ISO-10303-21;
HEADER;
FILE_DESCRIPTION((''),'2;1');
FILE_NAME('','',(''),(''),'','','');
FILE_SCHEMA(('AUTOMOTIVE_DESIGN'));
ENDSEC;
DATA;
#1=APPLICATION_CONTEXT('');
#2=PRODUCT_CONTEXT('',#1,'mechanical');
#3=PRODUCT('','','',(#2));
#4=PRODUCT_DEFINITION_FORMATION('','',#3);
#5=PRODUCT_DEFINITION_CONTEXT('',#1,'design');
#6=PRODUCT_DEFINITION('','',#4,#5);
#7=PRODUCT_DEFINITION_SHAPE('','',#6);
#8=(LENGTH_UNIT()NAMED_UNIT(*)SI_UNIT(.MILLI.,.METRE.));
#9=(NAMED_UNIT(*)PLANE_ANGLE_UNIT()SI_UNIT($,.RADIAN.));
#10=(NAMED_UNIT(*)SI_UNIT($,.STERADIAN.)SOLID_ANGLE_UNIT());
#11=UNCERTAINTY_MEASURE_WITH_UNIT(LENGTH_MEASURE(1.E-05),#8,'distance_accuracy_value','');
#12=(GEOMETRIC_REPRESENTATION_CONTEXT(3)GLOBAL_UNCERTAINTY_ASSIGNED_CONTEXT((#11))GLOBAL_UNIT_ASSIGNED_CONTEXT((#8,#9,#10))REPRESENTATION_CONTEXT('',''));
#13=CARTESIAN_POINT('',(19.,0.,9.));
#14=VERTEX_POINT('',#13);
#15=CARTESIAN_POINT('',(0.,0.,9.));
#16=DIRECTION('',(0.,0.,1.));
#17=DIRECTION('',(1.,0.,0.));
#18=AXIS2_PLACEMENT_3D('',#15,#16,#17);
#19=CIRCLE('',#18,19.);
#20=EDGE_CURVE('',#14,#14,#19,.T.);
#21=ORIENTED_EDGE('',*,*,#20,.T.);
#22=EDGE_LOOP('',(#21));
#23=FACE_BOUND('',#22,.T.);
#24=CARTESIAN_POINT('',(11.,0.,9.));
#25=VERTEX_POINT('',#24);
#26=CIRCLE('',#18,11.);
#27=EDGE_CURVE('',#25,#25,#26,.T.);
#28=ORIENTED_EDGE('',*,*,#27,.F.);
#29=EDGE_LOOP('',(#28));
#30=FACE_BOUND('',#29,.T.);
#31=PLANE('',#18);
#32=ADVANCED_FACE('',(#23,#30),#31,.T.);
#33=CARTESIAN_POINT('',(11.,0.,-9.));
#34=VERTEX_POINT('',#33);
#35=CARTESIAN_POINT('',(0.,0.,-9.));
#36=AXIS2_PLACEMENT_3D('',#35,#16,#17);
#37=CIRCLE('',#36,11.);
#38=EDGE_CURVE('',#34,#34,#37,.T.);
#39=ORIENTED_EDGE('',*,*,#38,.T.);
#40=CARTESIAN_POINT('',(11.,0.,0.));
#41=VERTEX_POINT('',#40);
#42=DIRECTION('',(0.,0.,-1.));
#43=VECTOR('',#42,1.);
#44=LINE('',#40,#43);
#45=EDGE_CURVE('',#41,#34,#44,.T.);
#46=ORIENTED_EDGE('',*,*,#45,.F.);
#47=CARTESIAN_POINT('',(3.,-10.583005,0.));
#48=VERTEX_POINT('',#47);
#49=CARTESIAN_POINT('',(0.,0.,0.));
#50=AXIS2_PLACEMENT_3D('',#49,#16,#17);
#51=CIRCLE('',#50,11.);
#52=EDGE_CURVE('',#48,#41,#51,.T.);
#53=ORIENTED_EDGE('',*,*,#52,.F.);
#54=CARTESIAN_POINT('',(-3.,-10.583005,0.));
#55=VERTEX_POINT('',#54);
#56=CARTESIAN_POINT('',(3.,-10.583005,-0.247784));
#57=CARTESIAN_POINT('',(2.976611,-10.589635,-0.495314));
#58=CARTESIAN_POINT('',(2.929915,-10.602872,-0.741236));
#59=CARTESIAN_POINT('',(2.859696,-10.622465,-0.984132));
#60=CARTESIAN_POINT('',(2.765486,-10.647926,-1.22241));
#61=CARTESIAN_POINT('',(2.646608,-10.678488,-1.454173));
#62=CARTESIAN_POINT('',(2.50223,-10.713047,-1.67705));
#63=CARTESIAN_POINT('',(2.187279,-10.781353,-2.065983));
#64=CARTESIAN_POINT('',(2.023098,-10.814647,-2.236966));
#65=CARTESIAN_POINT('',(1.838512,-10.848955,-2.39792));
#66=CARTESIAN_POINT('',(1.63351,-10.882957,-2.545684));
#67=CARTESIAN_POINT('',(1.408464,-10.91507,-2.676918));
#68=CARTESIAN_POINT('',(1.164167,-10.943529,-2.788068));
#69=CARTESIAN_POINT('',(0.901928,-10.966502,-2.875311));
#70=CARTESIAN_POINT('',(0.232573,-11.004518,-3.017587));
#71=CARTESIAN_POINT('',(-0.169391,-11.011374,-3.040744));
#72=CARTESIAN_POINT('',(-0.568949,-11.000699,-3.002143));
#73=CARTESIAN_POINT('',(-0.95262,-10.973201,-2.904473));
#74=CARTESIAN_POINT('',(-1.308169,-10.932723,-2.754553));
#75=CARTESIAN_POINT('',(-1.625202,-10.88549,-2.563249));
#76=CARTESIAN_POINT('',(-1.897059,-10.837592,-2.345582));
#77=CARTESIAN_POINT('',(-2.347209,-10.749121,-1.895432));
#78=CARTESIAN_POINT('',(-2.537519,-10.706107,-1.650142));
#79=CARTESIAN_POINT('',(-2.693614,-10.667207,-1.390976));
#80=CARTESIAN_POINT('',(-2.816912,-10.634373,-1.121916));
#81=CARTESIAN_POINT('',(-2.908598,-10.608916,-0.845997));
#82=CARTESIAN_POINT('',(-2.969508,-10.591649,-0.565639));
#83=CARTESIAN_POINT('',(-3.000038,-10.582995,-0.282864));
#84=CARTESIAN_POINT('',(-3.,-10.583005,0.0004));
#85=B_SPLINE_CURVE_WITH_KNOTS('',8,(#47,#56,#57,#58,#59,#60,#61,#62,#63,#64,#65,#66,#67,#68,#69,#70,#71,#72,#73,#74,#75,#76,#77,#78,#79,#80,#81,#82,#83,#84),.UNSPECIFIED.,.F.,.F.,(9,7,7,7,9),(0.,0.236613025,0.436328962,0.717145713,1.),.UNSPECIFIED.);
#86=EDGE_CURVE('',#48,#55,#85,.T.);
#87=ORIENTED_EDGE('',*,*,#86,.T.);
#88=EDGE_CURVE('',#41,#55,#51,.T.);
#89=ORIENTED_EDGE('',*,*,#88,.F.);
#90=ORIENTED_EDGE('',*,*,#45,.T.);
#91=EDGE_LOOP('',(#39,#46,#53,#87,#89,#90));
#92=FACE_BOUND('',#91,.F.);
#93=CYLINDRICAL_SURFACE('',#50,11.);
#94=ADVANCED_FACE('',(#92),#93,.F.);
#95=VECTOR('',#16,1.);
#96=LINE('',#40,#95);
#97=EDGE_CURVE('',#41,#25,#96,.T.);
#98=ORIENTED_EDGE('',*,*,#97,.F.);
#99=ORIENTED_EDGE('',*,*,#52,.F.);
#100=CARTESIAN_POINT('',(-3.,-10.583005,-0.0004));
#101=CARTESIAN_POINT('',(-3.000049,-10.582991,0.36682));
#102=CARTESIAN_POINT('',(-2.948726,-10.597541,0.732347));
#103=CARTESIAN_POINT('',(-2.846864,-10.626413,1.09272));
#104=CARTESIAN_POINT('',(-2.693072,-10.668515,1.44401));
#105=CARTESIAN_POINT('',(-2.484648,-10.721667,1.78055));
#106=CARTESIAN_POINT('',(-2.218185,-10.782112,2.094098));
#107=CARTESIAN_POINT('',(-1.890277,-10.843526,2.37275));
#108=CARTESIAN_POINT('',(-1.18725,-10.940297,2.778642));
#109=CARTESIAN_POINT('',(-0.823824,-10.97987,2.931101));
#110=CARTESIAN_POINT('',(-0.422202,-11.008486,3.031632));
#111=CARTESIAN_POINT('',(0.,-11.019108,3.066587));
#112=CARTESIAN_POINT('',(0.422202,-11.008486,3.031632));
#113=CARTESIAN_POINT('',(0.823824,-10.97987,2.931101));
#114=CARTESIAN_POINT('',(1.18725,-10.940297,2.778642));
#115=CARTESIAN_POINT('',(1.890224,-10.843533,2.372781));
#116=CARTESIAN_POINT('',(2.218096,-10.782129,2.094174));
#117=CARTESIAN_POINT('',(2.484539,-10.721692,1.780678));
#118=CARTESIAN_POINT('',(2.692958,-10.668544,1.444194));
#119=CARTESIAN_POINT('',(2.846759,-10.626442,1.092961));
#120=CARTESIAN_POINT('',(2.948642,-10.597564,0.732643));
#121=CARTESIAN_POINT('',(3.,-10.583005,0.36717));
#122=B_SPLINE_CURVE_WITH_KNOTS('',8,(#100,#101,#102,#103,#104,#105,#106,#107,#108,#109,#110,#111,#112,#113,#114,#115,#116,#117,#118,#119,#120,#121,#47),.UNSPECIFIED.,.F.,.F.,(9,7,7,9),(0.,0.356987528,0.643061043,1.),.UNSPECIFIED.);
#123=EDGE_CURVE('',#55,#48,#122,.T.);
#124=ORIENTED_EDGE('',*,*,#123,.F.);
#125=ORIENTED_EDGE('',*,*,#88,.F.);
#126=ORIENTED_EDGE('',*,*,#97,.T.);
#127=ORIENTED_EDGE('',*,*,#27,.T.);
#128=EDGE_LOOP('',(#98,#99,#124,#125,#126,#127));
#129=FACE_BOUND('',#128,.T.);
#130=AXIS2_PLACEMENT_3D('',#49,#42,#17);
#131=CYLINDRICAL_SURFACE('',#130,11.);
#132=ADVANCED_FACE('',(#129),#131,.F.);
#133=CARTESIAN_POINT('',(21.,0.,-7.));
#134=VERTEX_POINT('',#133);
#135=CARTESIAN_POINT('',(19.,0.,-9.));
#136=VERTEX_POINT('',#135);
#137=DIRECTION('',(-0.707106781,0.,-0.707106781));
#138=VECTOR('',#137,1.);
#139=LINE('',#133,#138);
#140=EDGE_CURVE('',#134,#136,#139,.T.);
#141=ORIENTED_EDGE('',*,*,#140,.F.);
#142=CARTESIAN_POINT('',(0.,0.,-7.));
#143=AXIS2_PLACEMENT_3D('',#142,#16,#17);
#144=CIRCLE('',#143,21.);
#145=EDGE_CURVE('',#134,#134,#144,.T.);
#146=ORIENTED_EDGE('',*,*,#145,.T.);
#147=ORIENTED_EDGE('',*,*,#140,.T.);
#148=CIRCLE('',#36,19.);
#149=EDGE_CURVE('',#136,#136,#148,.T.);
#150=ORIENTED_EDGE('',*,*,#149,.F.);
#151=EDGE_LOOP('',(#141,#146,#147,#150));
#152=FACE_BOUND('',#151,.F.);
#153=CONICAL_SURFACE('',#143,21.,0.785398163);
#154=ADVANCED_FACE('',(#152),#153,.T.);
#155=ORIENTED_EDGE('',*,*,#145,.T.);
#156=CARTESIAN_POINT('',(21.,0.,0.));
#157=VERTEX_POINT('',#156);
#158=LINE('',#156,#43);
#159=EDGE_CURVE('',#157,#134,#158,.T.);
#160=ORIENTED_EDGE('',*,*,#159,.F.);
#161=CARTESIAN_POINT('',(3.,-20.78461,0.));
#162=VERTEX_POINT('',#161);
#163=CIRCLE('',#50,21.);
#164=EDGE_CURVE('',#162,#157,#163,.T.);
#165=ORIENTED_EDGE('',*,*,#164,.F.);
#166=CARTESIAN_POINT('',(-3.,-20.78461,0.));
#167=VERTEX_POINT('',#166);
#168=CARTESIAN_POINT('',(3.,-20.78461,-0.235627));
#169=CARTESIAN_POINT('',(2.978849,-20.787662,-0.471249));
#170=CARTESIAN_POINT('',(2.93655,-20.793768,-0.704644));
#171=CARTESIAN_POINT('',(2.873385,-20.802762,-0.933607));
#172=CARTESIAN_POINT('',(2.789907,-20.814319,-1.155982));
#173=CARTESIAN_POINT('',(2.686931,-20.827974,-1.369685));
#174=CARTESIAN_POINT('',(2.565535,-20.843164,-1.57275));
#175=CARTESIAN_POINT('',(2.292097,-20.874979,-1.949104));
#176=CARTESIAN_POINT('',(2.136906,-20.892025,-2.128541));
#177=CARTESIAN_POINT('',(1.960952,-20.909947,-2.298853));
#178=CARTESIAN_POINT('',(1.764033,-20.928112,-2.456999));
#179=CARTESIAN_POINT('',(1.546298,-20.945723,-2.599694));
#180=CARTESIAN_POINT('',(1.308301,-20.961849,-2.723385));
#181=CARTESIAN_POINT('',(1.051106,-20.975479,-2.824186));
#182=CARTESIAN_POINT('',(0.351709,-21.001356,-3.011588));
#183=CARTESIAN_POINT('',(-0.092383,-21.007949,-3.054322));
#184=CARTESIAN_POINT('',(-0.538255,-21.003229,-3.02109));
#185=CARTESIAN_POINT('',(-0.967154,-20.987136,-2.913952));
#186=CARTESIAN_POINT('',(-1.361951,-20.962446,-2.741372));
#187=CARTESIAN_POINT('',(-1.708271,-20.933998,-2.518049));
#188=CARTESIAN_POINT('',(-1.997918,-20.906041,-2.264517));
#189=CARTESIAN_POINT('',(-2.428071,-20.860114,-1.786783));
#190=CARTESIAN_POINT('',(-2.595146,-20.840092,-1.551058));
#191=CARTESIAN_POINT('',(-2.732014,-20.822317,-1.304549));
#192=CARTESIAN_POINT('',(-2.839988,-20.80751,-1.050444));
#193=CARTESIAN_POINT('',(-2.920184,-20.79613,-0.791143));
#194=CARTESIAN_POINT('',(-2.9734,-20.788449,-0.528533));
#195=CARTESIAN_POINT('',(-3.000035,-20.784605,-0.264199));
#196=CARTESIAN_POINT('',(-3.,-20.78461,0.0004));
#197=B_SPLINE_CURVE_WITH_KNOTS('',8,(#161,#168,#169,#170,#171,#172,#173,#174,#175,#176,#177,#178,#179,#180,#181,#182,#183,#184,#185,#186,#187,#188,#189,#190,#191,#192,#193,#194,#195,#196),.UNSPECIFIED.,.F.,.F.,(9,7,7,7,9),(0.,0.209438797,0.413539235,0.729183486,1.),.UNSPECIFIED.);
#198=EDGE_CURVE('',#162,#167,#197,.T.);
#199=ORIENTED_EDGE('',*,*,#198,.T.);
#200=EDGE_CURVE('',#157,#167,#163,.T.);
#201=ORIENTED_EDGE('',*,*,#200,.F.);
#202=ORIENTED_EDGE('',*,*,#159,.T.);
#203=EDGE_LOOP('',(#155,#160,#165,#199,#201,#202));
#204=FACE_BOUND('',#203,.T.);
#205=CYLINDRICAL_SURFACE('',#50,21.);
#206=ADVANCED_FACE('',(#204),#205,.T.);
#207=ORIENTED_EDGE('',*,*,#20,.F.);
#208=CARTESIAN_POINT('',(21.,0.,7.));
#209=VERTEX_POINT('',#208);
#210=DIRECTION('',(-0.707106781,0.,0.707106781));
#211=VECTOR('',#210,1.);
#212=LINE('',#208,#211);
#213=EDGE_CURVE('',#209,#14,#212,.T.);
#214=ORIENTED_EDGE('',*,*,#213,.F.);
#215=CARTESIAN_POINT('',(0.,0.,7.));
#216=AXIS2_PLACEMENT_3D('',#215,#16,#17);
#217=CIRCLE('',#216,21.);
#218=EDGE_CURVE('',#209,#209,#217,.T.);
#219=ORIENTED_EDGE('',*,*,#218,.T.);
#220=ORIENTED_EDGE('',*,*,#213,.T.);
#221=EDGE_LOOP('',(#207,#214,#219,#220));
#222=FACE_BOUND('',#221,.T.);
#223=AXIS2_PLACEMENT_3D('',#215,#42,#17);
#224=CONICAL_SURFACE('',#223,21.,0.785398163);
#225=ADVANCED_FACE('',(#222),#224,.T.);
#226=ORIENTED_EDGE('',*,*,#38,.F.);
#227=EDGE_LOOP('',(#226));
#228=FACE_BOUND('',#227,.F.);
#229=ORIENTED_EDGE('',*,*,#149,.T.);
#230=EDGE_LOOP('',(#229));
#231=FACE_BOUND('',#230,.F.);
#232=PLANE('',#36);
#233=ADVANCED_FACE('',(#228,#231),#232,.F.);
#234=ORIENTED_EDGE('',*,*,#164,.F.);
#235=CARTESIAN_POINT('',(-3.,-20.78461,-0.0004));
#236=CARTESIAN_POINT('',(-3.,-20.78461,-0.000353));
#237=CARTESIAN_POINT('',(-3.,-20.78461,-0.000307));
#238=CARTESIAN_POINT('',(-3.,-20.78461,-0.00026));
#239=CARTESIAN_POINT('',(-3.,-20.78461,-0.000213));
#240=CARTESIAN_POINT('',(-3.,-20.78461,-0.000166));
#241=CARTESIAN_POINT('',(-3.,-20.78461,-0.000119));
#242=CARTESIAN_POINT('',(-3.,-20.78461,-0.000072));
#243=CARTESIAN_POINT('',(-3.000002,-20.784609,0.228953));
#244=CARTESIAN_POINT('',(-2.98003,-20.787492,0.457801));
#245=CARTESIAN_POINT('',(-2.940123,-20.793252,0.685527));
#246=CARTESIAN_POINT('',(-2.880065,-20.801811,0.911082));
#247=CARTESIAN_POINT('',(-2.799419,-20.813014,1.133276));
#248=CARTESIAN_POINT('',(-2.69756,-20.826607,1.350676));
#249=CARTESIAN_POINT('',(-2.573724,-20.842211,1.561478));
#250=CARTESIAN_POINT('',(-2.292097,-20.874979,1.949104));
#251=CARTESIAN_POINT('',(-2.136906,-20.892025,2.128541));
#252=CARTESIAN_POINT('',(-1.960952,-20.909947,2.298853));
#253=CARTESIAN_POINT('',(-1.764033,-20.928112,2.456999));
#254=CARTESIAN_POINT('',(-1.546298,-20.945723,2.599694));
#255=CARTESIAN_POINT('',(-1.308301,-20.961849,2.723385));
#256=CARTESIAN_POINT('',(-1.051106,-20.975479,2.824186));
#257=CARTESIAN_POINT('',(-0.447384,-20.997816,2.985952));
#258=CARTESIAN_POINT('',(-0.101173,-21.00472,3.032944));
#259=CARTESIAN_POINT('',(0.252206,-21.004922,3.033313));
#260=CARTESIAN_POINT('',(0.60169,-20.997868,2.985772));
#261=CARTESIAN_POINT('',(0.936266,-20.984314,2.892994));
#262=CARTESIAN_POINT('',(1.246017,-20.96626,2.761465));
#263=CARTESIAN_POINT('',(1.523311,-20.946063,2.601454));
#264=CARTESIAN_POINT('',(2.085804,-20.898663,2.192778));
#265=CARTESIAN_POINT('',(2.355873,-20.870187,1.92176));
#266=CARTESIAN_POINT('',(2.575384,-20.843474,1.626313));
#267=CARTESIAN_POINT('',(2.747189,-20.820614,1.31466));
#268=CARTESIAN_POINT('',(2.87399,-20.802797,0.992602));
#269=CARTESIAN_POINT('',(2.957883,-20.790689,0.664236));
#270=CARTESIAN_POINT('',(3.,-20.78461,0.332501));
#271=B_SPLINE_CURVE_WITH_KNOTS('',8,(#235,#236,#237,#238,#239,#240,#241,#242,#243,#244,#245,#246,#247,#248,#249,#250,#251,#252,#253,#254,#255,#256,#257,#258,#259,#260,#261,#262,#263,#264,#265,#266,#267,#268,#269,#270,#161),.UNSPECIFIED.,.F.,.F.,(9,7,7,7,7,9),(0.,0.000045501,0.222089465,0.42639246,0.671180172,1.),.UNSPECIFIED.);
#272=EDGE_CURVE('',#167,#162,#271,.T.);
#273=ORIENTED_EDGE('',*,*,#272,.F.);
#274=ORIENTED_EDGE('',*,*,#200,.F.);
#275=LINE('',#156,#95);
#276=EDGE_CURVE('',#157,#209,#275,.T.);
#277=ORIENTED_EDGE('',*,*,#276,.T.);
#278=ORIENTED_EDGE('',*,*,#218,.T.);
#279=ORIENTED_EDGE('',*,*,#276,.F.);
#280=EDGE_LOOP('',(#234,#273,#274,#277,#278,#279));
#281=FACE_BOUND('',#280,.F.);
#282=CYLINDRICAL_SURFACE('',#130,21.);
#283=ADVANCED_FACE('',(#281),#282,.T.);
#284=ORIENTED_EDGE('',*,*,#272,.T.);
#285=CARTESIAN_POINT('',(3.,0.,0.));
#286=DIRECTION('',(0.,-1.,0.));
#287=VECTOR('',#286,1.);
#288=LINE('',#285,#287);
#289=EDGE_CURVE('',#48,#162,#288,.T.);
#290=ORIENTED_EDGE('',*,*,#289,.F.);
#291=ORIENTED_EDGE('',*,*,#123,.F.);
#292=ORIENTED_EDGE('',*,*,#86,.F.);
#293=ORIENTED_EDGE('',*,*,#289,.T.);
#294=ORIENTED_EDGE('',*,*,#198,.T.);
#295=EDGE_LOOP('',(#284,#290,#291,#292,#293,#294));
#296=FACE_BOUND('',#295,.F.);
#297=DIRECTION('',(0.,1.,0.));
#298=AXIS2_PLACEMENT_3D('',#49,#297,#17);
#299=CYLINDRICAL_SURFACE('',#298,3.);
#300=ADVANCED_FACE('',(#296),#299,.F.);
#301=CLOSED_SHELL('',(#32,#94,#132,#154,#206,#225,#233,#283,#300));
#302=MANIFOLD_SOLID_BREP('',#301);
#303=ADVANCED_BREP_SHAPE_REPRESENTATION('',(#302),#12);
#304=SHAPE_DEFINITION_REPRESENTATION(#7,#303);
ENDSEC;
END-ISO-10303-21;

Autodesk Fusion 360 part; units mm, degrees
sketch "Sketch1" plane through (0, 0, 0) normal (0, 0, 1) x (1, 0, 0)
  circle A0 centre (0, 0) radius 11
  circle A1 centre (0, 0) radius 21
  dimension "d1" = 22
  dimension "d2" = 42
extrude "Extrude1" add sketch "Sketch1" along normal mid plane 18
chamfer "Chamfer1" distance 2 angle 45 2 edges at (-19.5789, -7.5939, 9) (-19.5789, 7.5939, -9)
sketch "Sketch2" plane through (0, 0, 0) normal (0, 1, 0) x (1, 0, 0)
  circle A0 centre (0, 0) radius 3
  dimension "d6" = 6
extrude "Extrude2" cut sketch "Sketch2" against normal blind 32
thread "Thread1" thread offset 0 thread length 10
thread "Thread2" thread offset 0 thread length 10
